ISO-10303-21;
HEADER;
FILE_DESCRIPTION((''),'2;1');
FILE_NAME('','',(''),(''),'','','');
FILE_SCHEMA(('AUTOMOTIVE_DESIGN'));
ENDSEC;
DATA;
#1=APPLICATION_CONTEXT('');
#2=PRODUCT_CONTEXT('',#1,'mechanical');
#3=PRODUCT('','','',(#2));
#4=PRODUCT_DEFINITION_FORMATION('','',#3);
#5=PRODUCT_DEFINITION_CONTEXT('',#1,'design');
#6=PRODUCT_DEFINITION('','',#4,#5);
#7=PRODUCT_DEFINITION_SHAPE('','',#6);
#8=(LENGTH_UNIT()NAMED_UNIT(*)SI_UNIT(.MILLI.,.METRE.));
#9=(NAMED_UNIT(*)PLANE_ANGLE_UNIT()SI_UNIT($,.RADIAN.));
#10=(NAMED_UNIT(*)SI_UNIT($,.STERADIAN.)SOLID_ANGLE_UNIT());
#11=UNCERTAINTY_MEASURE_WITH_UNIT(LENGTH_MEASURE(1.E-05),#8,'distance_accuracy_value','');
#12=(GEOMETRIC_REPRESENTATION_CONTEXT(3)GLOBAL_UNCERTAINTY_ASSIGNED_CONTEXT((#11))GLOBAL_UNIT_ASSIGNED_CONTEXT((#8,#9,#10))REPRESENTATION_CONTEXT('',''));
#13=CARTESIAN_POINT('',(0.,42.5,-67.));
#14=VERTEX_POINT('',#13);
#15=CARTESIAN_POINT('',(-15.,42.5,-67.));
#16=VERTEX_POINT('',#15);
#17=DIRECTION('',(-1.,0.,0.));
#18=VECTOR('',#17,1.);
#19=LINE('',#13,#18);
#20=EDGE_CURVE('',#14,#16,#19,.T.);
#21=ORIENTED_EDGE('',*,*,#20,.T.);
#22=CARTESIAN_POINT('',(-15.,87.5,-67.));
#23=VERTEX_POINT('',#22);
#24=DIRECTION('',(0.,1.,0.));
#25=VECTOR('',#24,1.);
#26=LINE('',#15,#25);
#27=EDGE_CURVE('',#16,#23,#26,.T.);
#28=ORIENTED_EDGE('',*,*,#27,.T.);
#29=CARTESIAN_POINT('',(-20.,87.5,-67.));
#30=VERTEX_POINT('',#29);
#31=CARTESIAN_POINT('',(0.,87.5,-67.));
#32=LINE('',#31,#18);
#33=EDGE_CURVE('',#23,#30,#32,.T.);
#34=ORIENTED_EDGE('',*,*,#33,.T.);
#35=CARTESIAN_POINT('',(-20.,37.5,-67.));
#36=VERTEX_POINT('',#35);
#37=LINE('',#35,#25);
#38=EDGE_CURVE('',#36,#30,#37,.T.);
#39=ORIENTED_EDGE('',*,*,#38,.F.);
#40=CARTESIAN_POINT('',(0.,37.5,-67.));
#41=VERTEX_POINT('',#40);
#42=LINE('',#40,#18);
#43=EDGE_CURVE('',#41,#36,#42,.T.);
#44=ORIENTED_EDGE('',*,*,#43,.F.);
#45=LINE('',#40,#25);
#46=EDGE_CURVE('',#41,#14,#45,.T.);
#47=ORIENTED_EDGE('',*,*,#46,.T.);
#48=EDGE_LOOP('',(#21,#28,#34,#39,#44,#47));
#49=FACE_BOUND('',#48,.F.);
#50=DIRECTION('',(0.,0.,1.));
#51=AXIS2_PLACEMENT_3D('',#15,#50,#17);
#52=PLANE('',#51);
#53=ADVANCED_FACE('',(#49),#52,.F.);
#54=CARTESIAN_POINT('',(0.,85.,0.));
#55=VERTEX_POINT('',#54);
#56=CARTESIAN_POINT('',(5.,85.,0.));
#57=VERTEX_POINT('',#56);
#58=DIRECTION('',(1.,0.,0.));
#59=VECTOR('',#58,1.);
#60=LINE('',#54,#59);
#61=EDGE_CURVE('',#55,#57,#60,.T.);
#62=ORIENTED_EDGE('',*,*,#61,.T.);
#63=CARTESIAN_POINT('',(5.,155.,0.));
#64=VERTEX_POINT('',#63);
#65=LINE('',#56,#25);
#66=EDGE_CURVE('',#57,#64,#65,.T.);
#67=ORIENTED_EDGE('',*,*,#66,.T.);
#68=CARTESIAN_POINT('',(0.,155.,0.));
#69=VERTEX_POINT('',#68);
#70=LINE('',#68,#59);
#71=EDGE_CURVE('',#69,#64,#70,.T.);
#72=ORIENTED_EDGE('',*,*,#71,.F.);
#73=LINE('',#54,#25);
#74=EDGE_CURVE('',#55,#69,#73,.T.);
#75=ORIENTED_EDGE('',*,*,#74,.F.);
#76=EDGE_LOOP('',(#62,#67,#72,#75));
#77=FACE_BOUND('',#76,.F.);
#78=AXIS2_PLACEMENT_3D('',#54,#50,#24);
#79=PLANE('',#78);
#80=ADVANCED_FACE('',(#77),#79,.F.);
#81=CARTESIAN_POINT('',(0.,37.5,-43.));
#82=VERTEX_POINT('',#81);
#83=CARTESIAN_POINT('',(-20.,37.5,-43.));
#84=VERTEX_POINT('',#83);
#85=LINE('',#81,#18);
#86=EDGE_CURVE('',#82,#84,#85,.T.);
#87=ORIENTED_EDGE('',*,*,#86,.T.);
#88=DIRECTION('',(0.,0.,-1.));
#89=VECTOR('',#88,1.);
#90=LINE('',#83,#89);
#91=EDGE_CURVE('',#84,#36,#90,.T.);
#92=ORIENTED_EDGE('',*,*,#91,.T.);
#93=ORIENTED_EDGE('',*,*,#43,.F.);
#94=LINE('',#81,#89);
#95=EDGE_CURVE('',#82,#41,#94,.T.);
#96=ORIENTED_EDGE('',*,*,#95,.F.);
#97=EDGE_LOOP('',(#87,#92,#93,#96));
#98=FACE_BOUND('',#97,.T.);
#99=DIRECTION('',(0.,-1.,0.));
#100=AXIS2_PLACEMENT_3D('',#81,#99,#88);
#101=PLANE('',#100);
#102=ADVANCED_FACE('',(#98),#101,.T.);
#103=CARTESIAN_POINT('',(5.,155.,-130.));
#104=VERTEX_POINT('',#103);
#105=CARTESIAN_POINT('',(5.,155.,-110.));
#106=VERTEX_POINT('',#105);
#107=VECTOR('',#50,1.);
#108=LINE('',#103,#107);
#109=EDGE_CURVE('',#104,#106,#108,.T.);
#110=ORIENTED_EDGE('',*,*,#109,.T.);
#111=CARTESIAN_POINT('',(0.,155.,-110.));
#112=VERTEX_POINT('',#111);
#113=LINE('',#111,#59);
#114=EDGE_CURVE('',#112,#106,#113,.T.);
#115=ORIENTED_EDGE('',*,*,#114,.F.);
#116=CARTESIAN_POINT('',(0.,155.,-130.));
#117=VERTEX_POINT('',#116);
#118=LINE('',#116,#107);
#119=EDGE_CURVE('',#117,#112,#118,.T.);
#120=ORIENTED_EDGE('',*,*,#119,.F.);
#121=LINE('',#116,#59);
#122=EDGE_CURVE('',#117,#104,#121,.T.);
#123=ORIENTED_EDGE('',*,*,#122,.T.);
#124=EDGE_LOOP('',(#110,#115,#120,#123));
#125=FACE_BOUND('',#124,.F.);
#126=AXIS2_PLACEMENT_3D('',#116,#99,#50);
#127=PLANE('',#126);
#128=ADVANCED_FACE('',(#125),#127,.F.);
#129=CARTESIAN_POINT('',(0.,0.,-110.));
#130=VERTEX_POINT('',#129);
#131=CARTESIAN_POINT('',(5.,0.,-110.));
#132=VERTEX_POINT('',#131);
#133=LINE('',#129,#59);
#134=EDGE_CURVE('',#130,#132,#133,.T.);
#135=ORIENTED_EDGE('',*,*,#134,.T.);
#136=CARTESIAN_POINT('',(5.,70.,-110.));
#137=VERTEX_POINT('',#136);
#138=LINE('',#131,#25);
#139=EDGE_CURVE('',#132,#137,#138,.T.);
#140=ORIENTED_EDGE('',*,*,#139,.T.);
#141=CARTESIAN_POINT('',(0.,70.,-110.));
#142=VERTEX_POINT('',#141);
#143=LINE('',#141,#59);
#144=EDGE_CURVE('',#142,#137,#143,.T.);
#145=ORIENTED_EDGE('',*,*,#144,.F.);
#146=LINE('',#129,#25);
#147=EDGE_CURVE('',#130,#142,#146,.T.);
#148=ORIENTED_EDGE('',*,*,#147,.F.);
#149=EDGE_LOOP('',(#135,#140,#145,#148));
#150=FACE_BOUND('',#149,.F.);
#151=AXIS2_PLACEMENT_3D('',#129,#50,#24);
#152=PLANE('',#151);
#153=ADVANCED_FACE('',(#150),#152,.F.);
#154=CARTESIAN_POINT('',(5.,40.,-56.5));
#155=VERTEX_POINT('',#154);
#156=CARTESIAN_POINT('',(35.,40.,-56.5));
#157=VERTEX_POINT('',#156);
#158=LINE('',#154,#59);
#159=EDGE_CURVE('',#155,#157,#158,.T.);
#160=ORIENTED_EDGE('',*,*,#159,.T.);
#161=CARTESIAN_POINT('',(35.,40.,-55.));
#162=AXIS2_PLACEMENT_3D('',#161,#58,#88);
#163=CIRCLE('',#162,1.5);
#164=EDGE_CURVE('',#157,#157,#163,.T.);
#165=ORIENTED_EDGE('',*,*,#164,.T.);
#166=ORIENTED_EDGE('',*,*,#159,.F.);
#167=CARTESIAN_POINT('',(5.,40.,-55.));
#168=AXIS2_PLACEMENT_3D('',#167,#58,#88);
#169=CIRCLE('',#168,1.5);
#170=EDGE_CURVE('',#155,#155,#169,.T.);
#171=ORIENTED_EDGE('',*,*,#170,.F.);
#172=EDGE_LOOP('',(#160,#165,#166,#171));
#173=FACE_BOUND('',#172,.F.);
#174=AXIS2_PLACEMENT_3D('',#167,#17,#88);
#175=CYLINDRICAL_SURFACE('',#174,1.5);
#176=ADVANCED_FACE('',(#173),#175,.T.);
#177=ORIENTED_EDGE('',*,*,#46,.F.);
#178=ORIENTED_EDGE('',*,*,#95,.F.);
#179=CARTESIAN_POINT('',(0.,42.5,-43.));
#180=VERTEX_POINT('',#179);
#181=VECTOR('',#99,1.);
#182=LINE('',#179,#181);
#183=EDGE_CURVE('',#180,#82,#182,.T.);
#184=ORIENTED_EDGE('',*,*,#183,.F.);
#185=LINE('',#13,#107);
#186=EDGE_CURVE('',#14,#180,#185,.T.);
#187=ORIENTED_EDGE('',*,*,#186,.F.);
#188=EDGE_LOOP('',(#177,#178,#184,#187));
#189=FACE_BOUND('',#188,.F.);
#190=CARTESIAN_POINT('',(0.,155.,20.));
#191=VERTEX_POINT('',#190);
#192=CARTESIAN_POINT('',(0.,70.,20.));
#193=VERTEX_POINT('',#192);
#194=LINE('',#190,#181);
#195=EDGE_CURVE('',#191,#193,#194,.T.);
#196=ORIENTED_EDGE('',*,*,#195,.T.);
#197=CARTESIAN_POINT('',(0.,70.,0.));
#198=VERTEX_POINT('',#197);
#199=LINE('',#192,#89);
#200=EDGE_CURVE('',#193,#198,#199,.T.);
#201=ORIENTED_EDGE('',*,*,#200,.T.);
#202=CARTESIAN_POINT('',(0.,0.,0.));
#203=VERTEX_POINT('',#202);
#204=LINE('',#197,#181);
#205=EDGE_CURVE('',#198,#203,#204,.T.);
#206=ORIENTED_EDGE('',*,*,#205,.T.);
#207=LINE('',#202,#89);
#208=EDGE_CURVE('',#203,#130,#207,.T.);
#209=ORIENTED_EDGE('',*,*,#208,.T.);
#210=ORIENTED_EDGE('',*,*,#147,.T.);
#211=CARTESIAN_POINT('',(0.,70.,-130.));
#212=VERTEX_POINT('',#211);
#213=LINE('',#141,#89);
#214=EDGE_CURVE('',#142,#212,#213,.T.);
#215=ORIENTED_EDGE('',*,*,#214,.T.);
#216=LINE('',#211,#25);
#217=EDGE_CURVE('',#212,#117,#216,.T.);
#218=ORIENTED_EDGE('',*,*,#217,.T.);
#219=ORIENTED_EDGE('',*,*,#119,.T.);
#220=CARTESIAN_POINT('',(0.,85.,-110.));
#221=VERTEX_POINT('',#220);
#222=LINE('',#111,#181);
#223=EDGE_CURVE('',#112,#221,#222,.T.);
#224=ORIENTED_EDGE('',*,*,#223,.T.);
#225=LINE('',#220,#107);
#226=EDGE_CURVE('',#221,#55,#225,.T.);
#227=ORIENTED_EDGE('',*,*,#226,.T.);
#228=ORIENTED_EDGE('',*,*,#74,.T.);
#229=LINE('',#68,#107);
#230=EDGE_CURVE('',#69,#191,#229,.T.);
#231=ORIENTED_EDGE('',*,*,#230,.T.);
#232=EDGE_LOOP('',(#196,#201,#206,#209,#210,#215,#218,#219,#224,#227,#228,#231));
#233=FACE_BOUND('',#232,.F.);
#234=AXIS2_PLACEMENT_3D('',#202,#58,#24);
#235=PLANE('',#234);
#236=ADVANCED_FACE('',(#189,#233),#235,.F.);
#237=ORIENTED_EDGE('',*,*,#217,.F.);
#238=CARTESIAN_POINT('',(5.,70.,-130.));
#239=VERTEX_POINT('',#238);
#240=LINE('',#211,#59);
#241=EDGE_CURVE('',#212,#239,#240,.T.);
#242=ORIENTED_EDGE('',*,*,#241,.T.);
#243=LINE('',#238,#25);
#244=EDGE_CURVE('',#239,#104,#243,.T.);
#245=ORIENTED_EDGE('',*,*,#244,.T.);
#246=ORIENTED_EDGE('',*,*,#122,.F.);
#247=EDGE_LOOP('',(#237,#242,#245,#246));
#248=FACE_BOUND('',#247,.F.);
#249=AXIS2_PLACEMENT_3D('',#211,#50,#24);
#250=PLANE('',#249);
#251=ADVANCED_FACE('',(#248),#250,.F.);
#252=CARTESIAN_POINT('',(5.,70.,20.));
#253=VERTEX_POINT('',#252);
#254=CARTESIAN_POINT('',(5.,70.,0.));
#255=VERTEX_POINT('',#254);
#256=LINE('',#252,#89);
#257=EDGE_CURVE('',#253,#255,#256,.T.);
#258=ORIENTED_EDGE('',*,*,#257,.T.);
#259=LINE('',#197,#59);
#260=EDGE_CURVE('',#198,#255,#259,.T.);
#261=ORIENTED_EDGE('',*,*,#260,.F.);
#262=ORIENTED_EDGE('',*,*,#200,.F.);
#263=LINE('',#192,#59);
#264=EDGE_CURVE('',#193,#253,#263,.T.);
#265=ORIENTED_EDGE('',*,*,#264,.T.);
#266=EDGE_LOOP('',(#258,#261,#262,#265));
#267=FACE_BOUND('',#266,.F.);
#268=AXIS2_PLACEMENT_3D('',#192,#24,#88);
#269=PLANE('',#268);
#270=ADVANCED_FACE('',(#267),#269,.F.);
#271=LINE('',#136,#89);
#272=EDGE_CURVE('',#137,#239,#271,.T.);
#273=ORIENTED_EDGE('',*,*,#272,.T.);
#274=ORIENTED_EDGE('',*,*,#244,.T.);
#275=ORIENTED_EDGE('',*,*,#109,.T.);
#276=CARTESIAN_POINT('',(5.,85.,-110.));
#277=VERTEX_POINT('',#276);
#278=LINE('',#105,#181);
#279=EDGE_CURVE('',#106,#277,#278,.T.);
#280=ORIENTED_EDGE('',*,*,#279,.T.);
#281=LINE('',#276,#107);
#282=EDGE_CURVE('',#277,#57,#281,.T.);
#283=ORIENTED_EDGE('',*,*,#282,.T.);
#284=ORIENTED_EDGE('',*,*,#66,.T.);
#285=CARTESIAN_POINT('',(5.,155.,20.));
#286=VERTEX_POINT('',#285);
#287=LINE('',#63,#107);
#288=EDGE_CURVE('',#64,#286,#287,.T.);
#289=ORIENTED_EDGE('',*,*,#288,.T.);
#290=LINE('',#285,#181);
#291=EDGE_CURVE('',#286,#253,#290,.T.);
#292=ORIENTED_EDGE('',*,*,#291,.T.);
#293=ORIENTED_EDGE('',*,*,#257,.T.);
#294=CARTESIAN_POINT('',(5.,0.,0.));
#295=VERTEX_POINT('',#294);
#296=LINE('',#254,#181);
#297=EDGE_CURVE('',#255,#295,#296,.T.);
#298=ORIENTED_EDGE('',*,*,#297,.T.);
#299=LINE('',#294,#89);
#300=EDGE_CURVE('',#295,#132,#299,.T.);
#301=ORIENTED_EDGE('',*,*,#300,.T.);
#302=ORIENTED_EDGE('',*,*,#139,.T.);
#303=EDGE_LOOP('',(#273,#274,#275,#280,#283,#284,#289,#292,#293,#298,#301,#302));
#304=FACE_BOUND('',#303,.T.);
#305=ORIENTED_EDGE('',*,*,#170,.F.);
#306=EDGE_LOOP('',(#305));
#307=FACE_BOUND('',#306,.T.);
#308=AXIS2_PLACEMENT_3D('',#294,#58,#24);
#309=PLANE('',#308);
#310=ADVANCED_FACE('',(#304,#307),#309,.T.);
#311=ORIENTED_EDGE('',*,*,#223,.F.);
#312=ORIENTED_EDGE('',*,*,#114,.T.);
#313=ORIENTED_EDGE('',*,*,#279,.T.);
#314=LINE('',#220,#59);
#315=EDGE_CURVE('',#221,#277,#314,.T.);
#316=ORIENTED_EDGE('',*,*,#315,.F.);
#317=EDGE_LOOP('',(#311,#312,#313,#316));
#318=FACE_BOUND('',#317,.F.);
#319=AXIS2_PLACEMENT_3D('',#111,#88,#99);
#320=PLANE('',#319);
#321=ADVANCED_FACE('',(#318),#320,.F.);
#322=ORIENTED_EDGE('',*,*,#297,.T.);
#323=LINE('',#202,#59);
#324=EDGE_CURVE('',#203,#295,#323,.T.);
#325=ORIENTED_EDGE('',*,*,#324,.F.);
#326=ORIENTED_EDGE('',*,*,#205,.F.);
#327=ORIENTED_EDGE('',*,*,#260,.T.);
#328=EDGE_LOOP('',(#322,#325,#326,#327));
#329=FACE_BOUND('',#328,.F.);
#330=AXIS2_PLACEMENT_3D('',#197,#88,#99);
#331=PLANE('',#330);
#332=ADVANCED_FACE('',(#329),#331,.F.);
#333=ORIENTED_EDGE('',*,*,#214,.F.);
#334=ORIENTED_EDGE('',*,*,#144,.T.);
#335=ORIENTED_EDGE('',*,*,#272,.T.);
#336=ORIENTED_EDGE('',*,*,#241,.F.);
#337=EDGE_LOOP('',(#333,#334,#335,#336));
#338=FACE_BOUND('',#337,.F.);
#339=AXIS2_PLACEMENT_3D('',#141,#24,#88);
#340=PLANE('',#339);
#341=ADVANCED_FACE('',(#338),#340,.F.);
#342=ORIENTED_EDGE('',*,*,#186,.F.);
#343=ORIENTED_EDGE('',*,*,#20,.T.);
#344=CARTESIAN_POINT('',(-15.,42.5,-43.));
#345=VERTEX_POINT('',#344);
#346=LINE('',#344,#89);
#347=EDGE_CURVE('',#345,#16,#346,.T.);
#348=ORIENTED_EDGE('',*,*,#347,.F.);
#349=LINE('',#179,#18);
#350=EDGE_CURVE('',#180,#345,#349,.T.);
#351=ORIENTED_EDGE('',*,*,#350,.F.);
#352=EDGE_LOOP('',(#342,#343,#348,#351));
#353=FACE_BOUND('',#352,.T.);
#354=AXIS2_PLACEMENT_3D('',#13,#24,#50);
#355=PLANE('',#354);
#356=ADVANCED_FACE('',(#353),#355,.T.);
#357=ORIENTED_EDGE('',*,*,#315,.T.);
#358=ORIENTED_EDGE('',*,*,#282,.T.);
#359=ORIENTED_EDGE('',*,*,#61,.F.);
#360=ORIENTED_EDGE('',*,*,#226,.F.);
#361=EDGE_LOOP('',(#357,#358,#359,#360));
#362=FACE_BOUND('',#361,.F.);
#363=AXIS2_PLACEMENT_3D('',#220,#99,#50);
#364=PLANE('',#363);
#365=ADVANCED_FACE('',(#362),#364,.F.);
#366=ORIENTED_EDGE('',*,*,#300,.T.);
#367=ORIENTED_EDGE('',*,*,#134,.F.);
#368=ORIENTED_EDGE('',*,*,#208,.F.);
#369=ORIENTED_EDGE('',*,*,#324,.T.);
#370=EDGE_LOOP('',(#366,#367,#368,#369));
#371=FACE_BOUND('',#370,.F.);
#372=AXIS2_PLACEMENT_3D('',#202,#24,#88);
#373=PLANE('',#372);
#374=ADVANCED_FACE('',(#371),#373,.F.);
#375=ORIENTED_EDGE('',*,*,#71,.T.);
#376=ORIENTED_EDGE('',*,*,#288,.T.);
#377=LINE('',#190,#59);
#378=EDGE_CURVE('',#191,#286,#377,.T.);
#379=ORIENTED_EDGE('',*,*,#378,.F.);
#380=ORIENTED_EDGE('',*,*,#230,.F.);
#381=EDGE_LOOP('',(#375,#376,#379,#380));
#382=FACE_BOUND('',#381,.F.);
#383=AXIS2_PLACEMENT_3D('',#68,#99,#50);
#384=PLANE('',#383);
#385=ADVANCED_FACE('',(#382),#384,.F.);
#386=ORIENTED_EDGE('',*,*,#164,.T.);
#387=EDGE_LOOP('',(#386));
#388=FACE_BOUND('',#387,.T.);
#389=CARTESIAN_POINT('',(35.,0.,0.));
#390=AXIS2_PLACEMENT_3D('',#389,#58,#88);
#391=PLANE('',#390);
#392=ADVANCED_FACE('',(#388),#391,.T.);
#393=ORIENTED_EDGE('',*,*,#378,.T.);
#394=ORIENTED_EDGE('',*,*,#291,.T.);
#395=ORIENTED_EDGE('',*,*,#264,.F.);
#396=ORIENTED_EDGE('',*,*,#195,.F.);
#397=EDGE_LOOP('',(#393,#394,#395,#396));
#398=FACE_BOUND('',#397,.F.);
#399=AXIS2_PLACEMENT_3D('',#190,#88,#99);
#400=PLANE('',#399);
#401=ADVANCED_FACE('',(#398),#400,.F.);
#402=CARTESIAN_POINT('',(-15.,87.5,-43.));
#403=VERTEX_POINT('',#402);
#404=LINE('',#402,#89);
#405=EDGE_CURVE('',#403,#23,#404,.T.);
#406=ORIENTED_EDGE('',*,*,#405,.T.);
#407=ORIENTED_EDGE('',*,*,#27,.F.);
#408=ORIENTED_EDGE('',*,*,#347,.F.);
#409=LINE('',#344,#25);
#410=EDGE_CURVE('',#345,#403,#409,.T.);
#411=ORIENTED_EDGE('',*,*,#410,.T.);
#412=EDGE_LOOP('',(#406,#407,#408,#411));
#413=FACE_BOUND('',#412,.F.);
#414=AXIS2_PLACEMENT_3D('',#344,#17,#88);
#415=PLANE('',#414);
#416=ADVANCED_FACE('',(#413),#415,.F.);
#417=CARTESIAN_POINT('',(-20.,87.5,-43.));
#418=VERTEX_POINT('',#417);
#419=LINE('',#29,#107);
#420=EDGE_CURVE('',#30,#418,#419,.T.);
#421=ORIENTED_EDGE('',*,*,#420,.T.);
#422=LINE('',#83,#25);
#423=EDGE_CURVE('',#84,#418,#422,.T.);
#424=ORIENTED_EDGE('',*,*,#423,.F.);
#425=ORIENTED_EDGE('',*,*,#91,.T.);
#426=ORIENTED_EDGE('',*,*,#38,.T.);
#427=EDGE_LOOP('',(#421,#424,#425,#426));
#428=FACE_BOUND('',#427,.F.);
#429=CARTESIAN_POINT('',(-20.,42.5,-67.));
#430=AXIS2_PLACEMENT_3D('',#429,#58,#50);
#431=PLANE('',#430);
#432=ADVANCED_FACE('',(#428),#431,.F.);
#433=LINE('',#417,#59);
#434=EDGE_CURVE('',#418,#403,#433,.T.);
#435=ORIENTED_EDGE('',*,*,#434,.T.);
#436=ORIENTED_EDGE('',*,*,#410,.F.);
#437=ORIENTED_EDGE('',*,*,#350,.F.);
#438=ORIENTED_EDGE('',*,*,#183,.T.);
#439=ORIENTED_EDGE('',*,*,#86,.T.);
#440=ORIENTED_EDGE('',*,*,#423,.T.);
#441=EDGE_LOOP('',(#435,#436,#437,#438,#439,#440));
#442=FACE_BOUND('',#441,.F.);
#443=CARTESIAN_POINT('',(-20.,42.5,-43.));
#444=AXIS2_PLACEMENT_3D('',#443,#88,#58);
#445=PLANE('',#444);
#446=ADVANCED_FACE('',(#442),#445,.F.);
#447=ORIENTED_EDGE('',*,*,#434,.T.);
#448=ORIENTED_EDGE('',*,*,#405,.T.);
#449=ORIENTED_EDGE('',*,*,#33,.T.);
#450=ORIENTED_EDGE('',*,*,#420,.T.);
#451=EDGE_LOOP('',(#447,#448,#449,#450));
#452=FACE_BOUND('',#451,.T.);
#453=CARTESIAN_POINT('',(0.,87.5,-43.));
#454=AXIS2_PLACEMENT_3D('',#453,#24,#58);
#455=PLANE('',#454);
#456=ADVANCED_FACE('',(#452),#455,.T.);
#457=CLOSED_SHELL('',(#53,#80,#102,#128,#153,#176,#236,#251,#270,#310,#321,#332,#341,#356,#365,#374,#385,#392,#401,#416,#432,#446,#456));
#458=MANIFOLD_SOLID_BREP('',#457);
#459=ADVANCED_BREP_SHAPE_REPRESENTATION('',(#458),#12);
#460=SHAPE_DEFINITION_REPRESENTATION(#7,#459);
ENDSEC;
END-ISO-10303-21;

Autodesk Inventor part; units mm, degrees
ref_plane "YZ Plane" through (0, 0, 0) normal (1, 0, 0) x (0, 1, 0)
ref_plane "XZ Plane" through (0, 0, 0) normal (0, 1, 0) x (-1, 0, 0)
ref_plane "XY Plane" through (0, 0, 0) normal (0, 0, 1) x (1, 0, 0)
sketch "Sketch1" plane through (0, 0, 0) normal (1, 0, 0) x (0, 1, 0)
  line L0 (0, 0) -> (0, -110)
  line L1 (0, 0) -> (110, 0) construction
  line L2 (0, -110) -> (70, -110)
  line L3 (0, -110) -> (70, -110) construction
  line L4 (70, -110) -> (70, -130)
  line L5 (70, -130) -> (155, -130)
  line L6 (70, -130) -> (155, -130) construction
  line L7 (155, -130) -> (155, -110)
  line L8 (155, -110) -> (85, -110)
  line L9 (85, -110) -> (85, 0)
  line L10 (85, 0) -> (155, 0)
  line L11 (155, 0) -> (155, 20)
  line L12 (155, 20) -> (70, 20)
  line L13 (70, 20) -> (70, 0)
  line L14 (70, 0) -> (0, 0)
  dimension "d0" = 110
  dimension "d1" = 90
  dimension "d2" = 70
  dimension "d3" = 0
  dimension "d4" = 20
  dimension "d5" = 85
  dimension "d6" = 0
  dimension "d7" = 20
  dimension "d8" = 70
  dimension "d9" = 110
  dimension "d10" = 90
  dimension "d11" = 70
  dimension "d12" = 90
  dimension "d13" = 20
  dimension "d14" = 90
  dimension "d15" = 85
  dimension "d16" = 90
extrude "Extrusion1" add sketch "Sketch1" along normal blind 5
sketch "Sketch2" plane through (5, 0, 0) normal (1, 0, 0) x (0, 0, -1)
  point P0 (0, 0)
  point P1 (55, 40)
sketch "Sketch3" plane through (5, 0, 0) normal (1, 0, 0) x (0, 0, -1)
  circle A0 centre (55, 40) radius 1.5
  point P0 (0, 0)
  dimension "d19" = 3
extrude "Extrusion2" add sketch "Sketch3" along normal blind 30
sketch "Sketch4" plane through (0, 0, 0) normal (-1, 0, 0) x (0, 0, 1)
  line L0 (-67, 42.5) -> (-43, 42.5)
  line L1 (-43, 42.5) -> (-43, 37.5)
  line L2 (-43, 37.5) -> (-67, 37.5)
  line L3 (-67, 37.5) -> (-67, 42.5)
  circle A0 centre (-55, 40) radius 1.5 projected
  line L4 (-67, 42.5) -> (-43, 37.5) construction
  line L5 (-43, 42.5) -> (-67, 37.5) construction
  point P0 (0, 0)
  dimension "d22" = 24
  dimension "d23" = 5
sketch "Sketch5" plane through (0, 0, 0) normal (-1, 0, 0) x (0, 0, 1)
  point P0 (0, 0)
sketch "Sketch6" plane through (0, 0, 0) normal (-1, 0, 0) x (0, 0, 1)
  circle A0 centre (-55, 40) radius 1.5
  point P0 (0, 0)
extrude "Extrusion3" add sketch "Sketch4" along normal blind 20 contours L0 L1 L2 L3 | A0
sketch "Sketch7" plane through (0, 42.5, -43) normal (0, 1, 0) x (1, 0, 0)
  line L0 (-20, 24) -> (-20, 0) projected
  line L1 (0, 24) -> (-20, 24) projected
  line L2 (-20, 0) -> (-15, 0)
  line L3 (-15, 0) -> (-15, 24)
  line L4 (-15, 24) -> (-20, 24)
  line L5 (-20, 24) -> (-20, 0)
  point P0 (0, -43)
  dimension "d26" = 5
extrude "Extrusion4" add sketch "Sketch7" along normal blind 45
sketch "Sketch9" plane through (5, 0, 0) normal (1, 0, 0) x (0, 0, -1)
  point P0 (0, 0)
properties part number "part1 edited" material "Wood (Walnut)"
